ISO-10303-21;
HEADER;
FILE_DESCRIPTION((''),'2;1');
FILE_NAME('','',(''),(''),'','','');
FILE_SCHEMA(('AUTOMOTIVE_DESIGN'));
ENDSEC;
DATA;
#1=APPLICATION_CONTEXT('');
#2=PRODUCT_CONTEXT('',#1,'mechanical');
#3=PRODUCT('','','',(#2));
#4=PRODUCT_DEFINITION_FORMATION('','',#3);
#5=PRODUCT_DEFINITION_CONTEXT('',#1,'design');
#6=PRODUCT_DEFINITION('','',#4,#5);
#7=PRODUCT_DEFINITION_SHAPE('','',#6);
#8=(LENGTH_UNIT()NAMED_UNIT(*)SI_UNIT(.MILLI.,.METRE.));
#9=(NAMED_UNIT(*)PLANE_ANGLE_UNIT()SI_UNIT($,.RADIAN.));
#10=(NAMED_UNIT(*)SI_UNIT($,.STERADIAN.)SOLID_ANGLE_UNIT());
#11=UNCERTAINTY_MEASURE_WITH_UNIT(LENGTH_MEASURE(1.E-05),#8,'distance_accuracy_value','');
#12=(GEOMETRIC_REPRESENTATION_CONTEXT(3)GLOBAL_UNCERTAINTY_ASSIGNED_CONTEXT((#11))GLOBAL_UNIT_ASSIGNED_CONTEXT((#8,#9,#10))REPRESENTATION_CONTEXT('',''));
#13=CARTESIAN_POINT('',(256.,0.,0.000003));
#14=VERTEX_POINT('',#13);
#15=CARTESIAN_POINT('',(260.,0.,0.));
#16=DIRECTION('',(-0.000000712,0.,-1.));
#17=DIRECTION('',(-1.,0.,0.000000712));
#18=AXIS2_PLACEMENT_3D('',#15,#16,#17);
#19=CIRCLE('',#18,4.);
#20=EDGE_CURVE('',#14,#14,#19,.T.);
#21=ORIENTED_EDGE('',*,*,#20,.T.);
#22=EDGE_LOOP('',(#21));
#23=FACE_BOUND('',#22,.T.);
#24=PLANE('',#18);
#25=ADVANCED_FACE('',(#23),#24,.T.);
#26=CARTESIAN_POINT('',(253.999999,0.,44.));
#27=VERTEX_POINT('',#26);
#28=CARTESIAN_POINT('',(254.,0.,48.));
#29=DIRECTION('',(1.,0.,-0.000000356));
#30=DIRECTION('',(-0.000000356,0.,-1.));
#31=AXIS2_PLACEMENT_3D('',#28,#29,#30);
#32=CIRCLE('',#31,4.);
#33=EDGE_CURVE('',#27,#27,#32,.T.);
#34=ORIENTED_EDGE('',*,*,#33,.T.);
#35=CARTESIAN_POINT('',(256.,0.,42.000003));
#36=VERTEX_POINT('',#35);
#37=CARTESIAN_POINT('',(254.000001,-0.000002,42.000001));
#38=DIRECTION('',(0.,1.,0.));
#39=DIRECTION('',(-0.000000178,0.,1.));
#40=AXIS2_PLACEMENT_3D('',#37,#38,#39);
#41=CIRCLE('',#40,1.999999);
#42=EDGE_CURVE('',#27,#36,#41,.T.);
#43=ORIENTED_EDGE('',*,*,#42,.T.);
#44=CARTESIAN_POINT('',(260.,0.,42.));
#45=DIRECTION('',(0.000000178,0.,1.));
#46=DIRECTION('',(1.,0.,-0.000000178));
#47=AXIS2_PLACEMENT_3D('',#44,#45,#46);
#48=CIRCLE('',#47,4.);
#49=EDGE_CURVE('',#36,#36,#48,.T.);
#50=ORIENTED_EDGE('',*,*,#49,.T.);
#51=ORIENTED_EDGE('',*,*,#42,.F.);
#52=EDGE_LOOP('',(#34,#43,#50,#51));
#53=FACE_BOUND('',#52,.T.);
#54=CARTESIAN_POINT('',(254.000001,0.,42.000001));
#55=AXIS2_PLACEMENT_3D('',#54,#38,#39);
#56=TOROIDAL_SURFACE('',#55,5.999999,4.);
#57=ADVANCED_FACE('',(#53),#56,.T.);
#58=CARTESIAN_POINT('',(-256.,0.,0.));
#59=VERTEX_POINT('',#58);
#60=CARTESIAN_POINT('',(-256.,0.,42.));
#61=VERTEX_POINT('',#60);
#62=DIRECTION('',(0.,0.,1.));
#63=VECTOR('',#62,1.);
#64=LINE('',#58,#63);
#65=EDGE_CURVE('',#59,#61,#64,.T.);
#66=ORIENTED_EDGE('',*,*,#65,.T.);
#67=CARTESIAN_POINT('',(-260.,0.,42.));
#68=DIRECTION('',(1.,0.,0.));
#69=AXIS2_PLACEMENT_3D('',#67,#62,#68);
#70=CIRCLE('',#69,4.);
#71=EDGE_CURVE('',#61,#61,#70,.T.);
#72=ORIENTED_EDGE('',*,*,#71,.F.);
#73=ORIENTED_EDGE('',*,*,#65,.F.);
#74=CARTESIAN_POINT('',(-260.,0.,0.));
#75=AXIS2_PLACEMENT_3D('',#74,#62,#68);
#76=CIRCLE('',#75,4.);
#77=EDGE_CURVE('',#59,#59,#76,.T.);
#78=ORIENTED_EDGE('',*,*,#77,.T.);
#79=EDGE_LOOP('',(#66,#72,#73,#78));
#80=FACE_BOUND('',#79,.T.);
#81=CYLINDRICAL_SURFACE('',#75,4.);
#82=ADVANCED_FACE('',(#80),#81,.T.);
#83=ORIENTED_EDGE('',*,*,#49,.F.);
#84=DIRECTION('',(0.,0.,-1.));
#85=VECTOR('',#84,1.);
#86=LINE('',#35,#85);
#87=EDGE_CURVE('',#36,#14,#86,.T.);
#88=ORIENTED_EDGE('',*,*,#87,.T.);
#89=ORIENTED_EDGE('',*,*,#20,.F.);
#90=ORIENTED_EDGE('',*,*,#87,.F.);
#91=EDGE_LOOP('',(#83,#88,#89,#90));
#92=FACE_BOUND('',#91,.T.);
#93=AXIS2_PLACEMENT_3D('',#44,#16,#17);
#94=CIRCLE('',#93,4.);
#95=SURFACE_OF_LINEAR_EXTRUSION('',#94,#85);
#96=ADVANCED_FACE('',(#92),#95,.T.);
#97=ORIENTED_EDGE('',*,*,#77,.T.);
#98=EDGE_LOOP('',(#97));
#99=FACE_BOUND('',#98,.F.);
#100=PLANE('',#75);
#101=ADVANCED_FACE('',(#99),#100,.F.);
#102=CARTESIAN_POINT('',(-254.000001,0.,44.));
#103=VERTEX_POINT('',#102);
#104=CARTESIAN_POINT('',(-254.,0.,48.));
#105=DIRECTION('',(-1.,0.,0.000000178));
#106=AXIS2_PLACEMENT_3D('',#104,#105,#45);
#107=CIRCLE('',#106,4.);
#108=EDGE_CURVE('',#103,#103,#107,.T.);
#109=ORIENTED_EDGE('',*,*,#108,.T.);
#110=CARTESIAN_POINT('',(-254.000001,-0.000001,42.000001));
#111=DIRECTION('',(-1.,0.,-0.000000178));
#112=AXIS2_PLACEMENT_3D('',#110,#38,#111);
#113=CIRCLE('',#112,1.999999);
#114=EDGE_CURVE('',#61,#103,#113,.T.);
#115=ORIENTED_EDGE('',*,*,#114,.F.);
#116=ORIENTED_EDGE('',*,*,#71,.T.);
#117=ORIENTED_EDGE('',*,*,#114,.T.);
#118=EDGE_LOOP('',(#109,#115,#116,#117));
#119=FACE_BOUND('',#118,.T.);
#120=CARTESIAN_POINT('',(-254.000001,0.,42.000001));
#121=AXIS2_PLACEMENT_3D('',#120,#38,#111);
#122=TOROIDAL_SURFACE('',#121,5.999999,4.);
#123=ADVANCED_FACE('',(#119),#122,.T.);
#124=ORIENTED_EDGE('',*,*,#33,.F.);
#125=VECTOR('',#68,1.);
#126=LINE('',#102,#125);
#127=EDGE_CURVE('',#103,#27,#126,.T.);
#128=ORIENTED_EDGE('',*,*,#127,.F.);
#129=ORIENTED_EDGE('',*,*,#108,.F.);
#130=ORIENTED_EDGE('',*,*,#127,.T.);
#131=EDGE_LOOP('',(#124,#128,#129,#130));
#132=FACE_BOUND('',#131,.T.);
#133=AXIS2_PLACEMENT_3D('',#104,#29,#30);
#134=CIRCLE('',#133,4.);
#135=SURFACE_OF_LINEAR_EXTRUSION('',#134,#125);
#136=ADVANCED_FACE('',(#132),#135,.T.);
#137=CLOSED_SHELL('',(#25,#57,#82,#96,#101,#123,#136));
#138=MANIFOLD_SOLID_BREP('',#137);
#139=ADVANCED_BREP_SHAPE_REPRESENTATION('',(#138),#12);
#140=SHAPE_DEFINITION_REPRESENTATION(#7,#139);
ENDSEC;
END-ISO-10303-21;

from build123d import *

# Parameters (mm, degrees)
F1_R = 4


with BuildPart() as f2:
    # F2: sweep along a path in F0
    with BuildLine(Plane.XZ) as f2_path:
        Line((-260, 0), (-260, 42))
        ThreePointArc((-260, 42), (-258.242641, 46.242641), (-254, 48))
        Line((-254, 48), (254, 48))
        ThreePointArc((254, 48), (258.242641, 46.242641), (260, 42))
        Line((260, 42), (260, 0))
    # F1 (on Top) → F2 (sweep)
    with BuildSketch(Plane.XY):
        with Locations((-260, 0)):
            Circle(F1_R)
    sweep(path=f2_path.line)


solid = f2.part
